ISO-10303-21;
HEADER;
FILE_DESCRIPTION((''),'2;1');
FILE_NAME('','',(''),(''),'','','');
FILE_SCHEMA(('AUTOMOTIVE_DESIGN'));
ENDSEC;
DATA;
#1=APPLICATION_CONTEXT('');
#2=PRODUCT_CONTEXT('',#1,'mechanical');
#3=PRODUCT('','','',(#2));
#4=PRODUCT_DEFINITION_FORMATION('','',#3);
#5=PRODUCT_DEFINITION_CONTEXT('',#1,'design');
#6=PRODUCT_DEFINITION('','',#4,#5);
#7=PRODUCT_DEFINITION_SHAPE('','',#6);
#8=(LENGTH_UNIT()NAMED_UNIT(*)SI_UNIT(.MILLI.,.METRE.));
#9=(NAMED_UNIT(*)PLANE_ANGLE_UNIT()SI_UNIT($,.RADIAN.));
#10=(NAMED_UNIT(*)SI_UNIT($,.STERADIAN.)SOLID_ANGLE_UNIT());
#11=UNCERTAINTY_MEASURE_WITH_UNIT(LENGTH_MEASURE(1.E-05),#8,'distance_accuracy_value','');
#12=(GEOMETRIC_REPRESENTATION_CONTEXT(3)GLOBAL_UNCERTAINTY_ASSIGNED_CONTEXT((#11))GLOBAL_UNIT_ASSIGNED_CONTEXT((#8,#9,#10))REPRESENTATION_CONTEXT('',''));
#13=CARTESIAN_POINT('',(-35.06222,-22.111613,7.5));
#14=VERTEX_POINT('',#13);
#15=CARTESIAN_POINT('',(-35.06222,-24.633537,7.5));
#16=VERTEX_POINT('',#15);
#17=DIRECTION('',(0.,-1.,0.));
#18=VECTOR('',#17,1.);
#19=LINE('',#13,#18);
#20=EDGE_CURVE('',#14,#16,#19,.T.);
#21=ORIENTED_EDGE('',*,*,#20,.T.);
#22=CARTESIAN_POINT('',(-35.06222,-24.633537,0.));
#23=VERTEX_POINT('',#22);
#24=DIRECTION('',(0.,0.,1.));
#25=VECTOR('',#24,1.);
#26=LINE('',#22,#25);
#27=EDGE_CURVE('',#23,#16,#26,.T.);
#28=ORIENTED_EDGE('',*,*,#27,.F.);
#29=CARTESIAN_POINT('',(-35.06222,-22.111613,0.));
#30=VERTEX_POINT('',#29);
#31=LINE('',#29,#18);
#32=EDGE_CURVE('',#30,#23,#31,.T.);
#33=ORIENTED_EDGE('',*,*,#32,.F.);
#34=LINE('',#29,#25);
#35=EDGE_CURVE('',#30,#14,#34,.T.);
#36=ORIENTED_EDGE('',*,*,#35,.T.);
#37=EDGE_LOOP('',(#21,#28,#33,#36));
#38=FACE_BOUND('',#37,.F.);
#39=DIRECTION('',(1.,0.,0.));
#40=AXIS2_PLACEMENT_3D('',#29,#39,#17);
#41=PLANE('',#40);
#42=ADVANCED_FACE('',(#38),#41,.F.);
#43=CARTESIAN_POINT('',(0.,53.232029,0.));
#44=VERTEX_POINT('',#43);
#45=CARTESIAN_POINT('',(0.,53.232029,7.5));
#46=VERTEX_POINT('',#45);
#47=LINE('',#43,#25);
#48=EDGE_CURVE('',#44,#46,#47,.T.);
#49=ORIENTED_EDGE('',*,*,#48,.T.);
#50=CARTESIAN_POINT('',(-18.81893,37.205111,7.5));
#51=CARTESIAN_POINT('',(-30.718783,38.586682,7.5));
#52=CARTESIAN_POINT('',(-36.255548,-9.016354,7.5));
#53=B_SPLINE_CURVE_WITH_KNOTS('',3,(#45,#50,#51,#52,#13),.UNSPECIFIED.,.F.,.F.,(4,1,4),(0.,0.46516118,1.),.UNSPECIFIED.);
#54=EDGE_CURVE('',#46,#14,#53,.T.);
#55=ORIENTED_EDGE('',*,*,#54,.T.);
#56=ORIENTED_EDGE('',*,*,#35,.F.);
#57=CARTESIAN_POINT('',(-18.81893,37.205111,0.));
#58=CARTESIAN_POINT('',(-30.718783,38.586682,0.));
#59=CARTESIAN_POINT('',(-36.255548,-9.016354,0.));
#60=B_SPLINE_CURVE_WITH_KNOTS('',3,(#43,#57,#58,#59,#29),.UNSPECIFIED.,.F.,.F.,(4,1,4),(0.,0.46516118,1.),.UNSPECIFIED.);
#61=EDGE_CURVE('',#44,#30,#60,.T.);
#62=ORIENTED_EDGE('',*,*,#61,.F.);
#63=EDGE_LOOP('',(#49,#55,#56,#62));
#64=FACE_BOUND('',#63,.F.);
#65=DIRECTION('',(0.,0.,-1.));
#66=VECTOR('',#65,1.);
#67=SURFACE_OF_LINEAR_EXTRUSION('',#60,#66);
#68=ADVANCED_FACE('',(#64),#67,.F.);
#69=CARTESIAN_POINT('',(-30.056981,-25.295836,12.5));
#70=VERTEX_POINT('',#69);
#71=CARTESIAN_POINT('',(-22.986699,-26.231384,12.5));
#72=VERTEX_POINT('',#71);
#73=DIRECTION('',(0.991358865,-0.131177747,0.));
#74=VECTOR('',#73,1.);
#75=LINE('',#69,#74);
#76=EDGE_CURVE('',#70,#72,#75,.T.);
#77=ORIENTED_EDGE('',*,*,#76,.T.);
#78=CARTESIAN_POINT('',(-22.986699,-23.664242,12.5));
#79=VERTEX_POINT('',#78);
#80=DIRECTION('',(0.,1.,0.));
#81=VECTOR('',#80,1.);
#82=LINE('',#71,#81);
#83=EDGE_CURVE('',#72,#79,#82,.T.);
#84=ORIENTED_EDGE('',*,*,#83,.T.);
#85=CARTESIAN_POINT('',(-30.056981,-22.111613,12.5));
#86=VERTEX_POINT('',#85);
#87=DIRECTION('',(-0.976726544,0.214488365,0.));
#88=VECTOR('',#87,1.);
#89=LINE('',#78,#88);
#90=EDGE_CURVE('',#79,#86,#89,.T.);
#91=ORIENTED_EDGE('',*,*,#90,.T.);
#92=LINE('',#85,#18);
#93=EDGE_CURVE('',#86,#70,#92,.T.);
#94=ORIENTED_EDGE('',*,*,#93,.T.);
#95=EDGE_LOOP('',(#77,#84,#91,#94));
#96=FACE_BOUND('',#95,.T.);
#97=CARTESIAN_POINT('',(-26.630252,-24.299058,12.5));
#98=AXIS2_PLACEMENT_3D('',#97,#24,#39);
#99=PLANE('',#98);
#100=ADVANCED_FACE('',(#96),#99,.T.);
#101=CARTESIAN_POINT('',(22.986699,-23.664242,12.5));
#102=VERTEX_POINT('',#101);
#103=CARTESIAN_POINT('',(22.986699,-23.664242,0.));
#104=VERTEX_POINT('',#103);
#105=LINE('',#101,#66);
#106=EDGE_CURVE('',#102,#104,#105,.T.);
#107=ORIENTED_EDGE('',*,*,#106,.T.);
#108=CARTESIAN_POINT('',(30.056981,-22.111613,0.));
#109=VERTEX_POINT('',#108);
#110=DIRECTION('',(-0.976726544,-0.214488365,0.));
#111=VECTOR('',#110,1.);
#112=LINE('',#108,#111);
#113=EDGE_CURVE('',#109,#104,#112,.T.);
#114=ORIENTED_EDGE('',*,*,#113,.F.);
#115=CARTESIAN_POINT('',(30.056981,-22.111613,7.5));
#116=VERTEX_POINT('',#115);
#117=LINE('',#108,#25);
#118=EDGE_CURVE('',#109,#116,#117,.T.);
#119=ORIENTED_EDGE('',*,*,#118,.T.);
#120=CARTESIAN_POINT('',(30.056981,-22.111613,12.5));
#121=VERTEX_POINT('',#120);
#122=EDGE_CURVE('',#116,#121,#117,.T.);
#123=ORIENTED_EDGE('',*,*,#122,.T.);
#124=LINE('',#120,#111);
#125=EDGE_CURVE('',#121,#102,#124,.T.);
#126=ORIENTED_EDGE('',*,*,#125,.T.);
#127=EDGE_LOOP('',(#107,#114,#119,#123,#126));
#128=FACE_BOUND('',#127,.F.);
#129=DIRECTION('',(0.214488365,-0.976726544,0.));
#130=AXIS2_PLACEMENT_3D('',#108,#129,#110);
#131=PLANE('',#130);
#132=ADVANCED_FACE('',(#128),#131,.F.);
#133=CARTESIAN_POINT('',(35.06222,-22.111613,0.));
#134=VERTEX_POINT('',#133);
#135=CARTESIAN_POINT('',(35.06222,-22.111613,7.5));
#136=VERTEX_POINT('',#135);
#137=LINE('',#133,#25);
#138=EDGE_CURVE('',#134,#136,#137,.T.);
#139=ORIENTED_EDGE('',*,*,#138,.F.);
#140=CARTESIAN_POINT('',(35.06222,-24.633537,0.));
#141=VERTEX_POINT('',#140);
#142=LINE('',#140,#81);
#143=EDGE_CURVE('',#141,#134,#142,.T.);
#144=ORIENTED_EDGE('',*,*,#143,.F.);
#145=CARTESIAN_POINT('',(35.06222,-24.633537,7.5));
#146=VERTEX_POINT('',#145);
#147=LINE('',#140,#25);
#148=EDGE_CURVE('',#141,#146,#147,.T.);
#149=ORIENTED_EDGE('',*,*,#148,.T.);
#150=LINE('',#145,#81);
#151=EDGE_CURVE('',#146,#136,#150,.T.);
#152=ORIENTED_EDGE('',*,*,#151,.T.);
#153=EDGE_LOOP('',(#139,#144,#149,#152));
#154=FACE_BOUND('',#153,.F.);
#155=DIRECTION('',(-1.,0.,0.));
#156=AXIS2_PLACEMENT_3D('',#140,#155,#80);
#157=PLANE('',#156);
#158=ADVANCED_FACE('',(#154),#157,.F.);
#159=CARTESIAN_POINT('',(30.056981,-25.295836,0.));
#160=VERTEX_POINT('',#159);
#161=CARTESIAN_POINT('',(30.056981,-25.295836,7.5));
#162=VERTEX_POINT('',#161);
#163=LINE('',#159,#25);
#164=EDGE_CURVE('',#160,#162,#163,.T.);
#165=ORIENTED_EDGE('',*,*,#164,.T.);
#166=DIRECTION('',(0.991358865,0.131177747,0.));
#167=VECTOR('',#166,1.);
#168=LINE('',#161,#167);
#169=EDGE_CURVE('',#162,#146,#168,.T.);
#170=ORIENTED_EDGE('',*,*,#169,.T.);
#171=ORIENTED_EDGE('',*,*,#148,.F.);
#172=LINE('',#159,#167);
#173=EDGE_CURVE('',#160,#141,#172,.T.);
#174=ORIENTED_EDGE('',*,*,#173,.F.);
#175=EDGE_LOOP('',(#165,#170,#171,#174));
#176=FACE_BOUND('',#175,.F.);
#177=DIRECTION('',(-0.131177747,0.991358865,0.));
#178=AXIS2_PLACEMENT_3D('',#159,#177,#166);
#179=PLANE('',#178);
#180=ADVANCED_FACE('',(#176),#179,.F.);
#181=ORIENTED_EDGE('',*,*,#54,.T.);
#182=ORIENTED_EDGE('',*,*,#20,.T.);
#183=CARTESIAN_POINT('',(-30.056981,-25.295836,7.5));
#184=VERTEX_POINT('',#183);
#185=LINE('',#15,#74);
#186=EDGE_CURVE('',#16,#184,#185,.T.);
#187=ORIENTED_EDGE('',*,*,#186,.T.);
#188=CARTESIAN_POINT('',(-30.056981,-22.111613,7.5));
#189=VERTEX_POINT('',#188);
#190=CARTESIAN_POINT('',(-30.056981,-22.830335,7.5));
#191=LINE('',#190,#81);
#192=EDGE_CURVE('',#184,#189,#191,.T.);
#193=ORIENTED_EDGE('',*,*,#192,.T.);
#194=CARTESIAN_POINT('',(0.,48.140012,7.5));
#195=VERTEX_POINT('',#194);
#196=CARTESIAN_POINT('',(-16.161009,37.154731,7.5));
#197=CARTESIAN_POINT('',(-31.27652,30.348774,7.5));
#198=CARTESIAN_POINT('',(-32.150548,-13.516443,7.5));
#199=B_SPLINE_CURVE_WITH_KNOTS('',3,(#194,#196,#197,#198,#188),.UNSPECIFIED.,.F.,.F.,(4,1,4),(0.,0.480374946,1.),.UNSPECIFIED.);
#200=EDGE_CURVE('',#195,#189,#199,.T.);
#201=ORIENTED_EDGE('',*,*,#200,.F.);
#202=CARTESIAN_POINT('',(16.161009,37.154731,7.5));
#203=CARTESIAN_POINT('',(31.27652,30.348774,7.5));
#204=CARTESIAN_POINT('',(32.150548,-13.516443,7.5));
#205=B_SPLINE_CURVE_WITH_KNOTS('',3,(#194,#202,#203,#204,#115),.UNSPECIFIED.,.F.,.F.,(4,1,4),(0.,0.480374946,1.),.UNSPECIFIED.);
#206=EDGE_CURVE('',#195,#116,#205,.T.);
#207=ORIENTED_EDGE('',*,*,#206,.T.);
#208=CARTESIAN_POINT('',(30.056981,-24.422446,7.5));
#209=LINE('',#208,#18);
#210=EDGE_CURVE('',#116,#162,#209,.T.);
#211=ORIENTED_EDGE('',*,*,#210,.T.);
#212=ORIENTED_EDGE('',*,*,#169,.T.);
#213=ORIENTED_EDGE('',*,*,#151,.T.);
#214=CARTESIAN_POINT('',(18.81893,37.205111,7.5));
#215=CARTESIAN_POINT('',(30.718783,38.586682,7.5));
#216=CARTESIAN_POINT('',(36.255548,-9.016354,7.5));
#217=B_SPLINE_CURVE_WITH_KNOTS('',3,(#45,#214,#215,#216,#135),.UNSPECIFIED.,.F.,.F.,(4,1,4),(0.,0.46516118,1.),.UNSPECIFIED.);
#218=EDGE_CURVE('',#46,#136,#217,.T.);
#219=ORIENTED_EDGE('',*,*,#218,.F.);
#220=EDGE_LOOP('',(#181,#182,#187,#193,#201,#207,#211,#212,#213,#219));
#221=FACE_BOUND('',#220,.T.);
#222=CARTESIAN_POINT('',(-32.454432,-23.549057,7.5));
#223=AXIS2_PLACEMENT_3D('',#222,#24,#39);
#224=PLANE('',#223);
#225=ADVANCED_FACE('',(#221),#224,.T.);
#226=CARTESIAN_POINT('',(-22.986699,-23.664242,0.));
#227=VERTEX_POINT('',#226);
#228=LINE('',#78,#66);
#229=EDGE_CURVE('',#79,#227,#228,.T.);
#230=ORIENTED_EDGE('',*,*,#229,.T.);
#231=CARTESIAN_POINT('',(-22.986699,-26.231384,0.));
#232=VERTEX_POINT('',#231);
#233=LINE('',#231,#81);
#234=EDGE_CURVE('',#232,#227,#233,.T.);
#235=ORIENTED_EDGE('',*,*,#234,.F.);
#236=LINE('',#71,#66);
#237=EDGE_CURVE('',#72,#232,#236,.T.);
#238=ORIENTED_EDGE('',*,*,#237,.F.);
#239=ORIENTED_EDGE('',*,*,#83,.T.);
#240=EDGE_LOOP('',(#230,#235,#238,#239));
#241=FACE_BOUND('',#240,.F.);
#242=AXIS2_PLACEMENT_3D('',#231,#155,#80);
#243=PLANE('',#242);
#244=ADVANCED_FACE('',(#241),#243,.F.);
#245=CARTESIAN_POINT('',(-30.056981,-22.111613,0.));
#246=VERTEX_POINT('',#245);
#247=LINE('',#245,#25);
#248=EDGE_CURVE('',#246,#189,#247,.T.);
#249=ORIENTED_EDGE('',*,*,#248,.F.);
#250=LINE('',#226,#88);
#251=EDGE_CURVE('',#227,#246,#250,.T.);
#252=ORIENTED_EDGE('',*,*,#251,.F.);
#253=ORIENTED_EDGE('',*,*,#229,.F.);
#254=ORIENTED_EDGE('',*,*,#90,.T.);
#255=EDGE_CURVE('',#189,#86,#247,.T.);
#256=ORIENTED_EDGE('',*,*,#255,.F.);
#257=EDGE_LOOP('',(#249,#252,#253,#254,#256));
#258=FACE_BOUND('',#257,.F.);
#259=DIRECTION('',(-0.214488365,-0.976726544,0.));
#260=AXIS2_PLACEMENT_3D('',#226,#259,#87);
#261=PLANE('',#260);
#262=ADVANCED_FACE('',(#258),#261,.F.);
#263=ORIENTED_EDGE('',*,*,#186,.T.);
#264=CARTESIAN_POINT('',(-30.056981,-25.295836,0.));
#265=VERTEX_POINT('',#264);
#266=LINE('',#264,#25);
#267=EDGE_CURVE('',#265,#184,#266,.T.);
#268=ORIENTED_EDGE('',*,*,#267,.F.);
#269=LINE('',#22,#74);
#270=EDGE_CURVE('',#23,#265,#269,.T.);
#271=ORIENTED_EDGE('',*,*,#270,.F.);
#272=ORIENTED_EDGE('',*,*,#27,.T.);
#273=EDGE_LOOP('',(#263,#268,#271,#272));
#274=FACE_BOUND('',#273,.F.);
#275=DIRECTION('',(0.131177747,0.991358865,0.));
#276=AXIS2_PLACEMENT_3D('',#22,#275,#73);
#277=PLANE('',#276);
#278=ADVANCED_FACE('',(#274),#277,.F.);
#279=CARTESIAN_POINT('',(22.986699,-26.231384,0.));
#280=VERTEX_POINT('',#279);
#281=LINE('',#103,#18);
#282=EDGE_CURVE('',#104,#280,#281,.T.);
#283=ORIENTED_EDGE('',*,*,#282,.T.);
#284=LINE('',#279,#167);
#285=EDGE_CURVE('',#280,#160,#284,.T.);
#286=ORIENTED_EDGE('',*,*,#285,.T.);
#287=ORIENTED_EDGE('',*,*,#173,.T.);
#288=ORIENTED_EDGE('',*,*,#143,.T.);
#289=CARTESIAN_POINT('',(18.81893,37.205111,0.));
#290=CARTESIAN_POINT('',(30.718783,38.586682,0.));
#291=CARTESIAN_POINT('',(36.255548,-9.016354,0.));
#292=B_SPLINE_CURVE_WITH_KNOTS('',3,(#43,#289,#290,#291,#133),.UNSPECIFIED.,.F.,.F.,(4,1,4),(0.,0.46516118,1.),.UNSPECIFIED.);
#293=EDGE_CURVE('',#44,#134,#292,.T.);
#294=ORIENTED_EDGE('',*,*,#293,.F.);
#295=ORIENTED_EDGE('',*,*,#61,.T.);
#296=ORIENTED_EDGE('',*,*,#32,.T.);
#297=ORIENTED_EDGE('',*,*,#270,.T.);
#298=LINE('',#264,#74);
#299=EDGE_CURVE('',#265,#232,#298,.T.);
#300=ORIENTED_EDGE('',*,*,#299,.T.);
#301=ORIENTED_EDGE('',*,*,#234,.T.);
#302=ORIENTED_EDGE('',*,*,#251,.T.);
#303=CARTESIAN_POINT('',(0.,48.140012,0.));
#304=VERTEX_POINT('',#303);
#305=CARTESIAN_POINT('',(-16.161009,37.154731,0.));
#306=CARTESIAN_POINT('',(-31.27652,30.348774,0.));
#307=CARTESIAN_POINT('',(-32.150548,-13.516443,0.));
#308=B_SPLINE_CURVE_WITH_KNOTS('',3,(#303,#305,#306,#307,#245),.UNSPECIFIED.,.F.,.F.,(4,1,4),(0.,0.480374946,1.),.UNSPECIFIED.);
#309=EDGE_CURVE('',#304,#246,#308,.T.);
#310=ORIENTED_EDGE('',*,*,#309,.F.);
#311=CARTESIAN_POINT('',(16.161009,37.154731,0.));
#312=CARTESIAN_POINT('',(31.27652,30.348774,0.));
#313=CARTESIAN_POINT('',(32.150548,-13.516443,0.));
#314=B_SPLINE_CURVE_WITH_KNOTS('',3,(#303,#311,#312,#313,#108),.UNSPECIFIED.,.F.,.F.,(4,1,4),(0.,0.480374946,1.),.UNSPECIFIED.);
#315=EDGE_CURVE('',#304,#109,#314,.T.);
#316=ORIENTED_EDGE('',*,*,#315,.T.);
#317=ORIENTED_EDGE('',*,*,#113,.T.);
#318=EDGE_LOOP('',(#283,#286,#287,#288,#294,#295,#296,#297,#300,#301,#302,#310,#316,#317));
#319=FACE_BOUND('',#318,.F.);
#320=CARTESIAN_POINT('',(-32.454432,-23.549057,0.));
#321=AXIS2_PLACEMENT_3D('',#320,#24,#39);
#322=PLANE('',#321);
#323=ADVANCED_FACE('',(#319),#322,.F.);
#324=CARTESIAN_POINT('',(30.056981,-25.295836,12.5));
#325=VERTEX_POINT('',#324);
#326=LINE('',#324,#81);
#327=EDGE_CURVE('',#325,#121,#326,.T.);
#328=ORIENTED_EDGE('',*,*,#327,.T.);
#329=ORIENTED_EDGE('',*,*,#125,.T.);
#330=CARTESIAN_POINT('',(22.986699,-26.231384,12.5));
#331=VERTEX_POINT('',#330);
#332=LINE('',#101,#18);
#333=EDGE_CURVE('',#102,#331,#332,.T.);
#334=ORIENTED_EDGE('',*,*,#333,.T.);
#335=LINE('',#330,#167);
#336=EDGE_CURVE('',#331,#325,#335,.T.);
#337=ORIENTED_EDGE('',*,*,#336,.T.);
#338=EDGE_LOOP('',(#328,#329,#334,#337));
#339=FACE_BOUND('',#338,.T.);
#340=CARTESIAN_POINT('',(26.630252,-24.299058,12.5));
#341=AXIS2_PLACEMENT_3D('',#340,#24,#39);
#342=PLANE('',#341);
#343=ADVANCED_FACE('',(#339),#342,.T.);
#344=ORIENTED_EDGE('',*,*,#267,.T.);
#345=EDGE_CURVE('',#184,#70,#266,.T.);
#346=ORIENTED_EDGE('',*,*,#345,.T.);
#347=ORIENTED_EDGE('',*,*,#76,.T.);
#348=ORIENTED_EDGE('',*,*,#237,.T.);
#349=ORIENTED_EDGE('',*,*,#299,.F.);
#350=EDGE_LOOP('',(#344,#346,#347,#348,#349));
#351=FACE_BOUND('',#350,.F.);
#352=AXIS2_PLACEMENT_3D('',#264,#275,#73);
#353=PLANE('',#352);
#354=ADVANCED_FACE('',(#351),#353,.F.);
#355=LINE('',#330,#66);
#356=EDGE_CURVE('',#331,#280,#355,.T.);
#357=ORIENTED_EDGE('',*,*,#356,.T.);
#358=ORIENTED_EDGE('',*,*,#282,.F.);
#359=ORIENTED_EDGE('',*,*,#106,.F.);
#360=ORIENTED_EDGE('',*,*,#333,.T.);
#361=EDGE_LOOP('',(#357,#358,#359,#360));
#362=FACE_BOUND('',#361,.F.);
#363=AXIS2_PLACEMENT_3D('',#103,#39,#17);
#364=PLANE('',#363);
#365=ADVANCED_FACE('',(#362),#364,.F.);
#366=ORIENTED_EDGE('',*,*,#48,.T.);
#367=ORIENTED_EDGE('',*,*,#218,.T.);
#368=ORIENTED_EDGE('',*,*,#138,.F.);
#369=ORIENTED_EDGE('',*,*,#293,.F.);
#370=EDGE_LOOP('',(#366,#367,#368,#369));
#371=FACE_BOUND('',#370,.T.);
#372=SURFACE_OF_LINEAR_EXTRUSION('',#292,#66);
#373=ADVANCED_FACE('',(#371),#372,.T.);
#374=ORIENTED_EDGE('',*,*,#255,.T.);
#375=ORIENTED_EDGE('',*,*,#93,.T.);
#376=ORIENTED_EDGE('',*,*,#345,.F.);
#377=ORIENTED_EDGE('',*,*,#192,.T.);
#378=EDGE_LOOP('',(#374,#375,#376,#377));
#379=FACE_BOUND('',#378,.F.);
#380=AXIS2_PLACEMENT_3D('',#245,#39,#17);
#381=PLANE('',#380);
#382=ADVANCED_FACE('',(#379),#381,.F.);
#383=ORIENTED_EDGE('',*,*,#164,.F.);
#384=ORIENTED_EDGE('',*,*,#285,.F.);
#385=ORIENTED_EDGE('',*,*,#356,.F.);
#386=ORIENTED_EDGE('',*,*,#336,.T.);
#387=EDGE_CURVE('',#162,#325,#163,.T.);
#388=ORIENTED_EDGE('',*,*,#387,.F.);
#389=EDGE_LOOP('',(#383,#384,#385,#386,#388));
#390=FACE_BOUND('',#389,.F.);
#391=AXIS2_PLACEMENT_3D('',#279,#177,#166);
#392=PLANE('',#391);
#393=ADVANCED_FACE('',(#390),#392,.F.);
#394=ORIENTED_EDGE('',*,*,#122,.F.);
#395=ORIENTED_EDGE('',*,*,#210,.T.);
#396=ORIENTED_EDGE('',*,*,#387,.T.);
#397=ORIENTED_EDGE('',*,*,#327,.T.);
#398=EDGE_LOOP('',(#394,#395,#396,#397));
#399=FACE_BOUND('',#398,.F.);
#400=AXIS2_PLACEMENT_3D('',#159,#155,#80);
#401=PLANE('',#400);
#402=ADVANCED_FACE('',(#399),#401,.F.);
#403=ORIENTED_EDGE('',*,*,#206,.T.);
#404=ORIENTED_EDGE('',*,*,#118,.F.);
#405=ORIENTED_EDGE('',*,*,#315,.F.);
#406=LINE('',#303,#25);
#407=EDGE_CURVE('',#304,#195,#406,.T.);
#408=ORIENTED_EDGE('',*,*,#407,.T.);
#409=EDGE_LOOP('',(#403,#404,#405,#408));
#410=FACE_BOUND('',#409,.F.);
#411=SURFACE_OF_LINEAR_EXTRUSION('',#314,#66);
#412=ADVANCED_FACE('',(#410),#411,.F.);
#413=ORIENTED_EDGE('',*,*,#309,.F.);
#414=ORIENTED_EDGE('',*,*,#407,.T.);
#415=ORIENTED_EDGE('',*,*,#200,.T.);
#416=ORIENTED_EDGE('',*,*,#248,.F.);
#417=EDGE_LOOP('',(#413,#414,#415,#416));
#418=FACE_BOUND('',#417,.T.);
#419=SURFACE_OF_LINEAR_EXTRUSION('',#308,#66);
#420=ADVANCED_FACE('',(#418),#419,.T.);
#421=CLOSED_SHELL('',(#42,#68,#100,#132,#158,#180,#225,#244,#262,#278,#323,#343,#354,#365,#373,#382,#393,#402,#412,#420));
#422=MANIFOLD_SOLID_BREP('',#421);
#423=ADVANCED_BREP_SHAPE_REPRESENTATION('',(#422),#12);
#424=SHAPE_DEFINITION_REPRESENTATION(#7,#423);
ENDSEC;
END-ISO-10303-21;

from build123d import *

# Parameters (mm, degrees)
F1_DEPTH = 7.5
F2_DEPTH = 12.5
F3_DEPTH = 12.5


with BuildPart() as f1:
    # F0 (on Top) → F1 (new body)
    with BuildSketch(Plane.XY):
        Polygon((-30.0569813699, -22.1116133034), (-35.0622199476, -22.1116133034), (-35.0622199476, -24.6335370466), (-30.0569813699, -25.2958359819), align=None)
        Polygon((30.0569813699, -25.2958359819), (30.0569813699, -22.1116133034), (22.9866988957, -23.6642416567), (22.9866988957, -26.2313839048), align=None)
        Polygon((-22.9866988957, -23.6642416567), (-30.0569813699, -22.1116133034), (-30.0569813699, -25.2958359819), (-22.9866988957, -26.2313839048), align=None)
        with BuildLine():
            Line((0, 48.1400117278), (0, 53.2320290804))
            add(Edge.make_bspline(
                [(0, 53.2320290804), (-18.8189297915, 37.2051112354), (-30.7187833667, 38.5866822973), (-36.2555484941, -9.0163541808), (-35.0622199476, -22.1116133034)],
                knots=[0, 0, 0, 0, 0.4651611799, 1, 1, 1, 1], degree=3))
            Line((-35.0622199476, -22.1116133034), (-30.0569813699, -22.1116133034))
            add(Edge.make_bspline(
                [(0, 48.1400117278), (-16.1610092806, 37.1547305533), (-31.2765203399, 30.3487738602), (-32.1505479515, -13.5164428502), (-30.0569813699, -22.1116133034)],
                knots=[0, 0, 0, 0, 0.480374946, 1, 1, 1, 1], degree=3))
        make_face()
        with BuildLine():
            add(Edge.make_bspline(
                [(0, 53.2320290804), (18.8189297915, 37.2051112354), (30.7187833667, 38.5866822973), (36.2555484941, -9.0163541808), (35.0622199476, -22.1116133034)],
                knots=[0, 0, 0, 0, 0.4651611799, 1, 1, 1, 1], degree=3))
            Line((0, 53.2320290804), (0, 48.1400117278))
            add(Edge.make_bspline(
                [(0, 48.1400117278), (16.1610092806, 37.1547305533), (31.2765203399, 30.3487738602), (32.1505479515, -13.5164428502), (30.0569813699, -22.1116133034)],
                knots=[0, 0, 0, 0, 0.480374946, 1, 1, 1, 1], degree=3))
            Line((30.0569813699, -22.1116133034), (35.0622199476, -22.1116133034))
        make_face()
        Polygon((35.0622199476, -24.6335370466), (35.0622199476, -22.1116133034), (30.0569813699, -22.1116133034), (30.0569813699, -25.2958359819), align=None)
    extrude(amount=F1_DEPTH)

    # F0 (on Top) → F2 (join)
    with BuildSketch(Plane.XY):
        Polygon((30.0569813699, -25.2958359819), (30.0569813699, -22.1116133034), (22.9866988957, -23.6642416567), (22.9866988957, -26.2313839048), align=None)
    extrude(amount=F2_DEPTH)

    # F0 (on Top) → F3 (join)
    with BuildSketch(Plane.XY):
        Polygon((-22.9866988957, -23.6642416567), (-30.0569813699, -22.1116133034), (-30.0569813699, -25.2958359819), (-22.9866988957, -26.2313839048), align=None)
    extrude(amount=F3_DEPTH)


solid = f1.part
